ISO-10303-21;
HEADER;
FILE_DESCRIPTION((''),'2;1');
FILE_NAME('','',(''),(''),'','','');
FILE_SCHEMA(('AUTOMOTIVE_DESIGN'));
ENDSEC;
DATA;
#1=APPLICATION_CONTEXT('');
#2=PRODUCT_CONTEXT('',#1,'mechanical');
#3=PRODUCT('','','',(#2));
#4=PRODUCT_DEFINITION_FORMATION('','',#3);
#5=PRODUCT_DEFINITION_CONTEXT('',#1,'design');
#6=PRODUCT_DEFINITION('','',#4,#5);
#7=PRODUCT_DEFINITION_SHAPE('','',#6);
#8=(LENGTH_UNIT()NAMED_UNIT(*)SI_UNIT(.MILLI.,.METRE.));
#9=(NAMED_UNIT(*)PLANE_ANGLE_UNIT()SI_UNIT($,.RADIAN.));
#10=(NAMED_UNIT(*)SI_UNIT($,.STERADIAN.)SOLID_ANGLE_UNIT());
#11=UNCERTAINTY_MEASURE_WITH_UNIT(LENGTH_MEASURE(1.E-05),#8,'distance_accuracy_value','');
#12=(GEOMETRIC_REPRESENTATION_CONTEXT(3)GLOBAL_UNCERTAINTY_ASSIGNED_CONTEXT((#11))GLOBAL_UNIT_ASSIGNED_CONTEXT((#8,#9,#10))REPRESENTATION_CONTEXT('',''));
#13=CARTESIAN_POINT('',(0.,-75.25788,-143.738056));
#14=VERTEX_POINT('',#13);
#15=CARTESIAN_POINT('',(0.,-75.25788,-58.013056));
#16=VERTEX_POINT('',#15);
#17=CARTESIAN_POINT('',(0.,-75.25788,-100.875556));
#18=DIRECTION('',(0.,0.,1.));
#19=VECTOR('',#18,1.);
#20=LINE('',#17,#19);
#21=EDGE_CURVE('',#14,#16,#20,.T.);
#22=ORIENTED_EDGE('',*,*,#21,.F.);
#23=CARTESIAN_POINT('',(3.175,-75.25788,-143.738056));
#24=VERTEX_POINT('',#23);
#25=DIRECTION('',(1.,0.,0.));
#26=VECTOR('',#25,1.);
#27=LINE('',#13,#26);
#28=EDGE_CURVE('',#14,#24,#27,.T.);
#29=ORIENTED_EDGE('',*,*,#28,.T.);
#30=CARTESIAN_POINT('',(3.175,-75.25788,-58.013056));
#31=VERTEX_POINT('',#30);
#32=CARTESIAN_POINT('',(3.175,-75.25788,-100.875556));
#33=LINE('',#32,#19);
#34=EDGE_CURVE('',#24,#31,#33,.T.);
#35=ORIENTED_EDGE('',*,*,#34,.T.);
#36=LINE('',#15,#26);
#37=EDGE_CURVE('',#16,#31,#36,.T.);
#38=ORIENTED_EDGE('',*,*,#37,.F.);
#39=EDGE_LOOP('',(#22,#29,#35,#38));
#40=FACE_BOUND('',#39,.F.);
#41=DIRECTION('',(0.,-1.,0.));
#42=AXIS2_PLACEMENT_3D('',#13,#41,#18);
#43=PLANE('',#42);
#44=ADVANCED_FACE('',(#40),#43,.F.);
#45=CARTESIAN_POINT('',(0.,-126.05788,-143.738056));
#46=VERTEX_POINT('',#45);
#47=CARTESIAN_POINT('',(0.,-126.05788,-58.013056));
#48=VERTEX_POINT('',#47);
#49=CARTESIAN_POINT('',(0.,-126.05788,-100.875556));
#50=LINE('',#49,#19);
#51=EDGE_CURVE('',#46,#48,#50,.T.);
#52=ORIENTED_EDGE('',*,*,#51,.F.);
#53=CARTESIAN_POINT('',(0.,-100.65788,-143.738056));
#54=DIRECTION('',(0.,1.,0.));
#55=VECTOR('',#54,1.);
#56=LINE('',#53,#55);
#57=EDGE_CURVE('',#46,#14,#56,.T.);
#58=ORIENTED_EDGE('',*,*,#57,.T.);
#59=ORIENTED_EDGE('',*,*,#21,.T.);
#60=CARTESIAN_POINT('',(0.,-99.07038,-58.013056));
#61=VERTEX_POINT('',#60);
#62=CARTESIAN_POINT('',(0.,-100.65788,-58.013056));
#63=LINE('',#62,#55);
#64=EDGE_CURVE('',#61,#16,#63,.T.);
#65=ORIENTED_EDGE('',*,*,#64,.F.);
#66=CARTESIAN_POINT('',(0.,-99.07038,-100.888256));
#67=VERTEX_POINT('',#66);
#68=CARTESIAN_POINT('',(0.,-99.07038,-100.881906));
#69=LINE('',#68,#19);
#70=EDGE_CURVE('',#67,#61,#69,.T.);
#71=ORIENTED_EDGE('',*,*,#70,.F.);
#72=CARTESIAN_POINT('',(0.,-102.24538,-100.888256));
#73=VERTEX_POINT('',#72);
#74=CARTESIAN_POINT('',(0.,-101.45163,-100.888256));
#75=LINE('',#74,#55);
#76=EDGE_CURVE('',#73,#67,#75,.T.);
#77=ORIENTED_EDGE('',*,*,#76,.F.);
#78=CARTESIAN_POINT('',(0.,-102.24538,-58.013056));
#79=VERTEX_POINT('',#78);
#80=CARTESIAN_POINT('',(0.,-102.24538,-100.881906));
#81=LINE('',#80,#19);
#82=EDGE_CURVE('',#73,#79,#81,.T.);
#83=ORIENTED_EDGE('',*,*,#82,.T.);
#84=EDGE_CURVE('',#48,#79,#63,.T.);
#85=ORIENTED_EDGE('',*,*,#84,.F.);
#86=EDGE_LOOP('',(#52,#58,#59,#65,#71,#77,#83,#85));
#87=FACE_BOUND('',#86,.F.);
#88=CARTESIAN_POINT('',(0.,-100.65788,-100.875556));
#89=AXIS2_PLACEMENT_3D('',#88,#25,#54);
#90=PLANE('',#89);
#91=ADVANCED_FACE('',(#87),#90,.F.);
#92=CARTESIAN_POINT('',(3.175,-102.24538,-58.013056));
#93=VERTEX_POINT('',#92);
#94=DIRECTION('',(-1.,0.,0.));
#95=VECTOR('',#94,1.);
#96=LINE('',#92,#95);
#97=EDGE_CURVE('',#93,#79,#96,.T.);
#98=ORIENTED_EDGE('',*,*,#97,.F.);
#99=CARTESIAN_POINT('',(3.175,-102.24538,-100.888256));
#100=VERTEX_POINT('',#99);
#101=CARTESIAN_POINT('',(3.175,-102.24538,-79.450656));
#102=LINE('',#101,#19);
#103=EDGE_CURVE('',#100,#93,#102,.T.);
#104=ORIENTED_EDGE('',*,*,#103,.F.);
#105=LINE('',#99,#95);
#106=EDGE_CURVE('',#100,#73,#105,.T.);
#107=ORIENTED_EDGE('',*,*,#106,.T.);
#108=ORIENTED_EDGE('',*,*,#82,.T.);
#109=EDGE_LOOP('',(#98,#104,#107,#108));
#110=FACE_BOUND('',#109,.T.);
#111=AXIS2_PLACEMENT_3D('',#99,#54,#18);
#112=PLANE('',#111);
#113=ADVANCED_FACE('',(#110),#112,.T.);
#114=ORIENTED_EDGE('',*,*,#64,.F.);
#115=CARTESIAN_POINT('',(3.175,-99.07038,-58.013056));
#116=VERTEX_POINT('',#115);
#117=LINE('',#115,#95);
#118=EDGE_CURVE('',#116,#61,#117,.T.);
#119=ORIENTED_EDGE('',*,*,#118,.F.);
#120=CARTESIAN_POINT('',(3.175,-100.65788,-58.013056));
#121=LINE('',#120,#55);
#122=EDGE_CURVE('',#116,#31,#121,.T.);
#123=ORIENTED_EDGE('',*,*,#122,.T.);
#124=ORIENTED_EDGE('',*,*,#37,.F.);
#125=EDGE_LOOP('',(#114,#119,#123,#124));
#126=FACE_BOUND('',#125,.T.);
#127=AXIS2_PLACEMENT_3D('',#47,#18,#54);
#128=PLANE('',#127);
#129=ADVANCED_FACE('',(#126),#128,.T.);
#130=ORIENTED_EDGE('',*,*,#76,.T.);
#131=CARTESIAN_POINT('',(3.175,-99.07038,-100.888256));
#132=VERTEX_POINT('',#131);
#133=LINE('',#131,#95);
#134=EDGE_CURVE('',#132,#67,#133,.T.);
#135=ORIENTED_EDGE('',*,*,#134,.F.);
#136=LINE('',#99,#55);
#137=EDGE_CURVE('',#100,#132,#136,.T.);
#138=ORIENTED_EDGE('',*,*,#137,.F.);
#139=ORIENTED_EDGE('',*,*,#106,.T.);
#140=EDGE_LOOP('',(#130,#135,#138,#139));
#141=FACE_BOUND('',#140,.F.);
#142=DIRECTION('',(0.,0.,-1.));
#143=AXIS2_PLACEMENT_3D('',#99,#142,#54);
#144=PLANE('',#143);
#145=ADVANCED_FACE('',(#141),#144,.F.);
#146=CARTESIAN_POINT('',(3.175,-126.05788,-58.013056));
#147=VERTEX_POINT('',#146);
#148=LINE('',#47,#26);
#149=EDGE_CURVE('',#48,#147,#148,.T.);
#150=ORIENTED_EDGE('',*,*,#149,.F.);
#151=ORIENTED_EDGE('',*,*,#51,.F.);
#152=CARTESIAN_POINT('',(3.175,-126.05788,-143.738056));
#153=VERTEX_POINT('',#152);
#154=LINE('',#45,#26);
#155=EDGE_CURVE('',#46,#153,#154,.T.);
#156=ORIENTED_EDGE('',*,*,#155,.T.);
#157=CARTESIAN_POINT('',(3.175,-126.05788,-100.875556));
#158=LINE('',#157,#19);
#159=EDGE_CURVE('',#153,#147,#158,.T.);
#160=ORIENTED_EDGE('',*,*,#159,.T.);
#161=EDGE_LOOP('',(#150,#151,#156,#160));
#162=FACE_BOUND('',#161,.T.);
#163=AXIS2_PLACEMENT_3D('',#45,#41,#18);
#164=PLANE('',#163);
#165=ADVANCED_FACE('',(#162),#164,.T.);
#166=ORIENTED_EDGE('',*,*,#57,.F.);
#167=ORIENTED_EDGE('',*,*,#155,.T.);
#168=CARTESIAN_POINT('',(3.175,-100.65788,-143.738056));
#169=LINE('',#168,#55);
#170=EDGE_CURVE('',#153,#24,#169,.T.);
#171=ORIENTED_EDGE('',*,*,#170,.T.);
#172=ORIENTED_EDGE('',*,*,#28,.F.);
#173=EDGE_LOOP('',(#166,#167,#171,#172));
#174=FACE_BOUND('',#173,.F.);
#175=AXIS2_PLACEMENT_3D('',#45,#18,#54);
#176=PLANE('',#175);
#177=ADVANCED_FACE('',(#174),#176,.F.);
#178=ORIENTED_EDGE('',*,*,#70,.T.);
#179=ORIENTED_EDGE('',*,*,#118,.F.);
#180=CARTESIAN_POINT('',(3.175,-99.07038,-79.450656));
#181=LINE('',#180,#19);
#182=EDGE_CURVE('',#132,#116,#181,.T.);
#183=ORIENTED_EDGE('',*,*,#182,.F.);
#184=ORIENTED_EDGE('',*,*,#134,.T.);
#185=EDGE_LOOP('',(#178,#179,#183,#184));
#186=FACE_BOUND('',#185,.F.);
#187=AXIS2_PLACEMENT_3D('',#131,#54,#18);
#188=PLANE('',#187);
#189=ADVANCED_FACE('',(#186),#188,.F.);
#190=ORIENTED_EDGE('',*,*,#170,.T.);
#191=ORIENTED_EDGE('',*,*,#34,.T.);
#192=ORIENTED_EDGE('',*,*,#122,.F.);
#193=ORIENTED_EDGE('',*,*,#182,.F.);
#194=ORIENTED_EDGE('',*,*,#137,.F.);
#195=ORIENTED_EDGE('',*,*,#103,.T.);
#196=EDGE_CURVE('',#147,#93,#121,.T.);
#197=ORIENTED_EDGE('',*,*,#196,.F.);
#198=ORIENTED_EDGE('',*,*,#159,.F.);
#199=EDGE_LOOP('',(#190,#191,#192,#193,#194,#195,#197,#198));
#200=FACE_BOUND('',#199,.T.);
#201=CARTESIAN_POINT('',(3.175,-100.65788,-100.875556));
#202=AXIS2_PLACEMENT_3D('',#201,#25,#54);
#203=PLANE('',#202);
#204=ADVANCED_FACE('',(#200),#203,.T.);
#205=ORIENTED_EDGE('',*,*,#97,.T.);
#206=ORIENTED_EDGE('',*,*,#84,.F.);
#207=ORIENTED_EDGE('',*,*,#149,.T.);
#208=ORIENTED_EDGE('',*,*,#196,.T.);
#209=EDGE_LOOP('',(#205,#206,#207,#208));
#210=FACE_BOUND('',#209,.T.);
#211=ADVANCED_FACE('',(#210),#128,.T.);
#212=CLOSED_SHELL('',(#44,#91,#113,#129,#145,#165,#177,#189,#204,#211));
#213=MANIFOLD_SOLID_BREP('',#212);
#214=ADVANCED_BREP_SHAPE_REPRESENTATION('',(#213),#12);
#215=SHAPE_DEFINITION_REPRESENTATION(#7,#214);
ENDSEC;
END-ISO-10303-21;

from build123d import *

# Parameters (mm, degrees)
F0_W     = 50.8
F0_H     = 85.725
F1_DEPTH = 3.175
F2_W     = 1.5875
F2_H     = 42.8752
F3_DEPTH = 3.176


with BuildPart() as f1:
    # F0 (on Right) → F1 (new body)
    with BuildSketch(Plane.YZ):
        with Locations((-100.65788, -100.875556)):
            Rectangle(F0_W, F0_H)
    extrude(amount=F1_DEPTH)

    # F2 (on face) → F3 (cut, through all)
    with BuildSketch(Plane.YZ.offset(3.175)):
        with Locations((-101.45163, -79.450656)):
            Rectangle(F2_W, F2_H)
        with Locations((-99.86413, -79.450656)):
            Rectangle(F2_W, F2_H)
    extrude(amount=-F3_DEPTH, mode=Mode.SUBTRACT)


solid = f1.part
